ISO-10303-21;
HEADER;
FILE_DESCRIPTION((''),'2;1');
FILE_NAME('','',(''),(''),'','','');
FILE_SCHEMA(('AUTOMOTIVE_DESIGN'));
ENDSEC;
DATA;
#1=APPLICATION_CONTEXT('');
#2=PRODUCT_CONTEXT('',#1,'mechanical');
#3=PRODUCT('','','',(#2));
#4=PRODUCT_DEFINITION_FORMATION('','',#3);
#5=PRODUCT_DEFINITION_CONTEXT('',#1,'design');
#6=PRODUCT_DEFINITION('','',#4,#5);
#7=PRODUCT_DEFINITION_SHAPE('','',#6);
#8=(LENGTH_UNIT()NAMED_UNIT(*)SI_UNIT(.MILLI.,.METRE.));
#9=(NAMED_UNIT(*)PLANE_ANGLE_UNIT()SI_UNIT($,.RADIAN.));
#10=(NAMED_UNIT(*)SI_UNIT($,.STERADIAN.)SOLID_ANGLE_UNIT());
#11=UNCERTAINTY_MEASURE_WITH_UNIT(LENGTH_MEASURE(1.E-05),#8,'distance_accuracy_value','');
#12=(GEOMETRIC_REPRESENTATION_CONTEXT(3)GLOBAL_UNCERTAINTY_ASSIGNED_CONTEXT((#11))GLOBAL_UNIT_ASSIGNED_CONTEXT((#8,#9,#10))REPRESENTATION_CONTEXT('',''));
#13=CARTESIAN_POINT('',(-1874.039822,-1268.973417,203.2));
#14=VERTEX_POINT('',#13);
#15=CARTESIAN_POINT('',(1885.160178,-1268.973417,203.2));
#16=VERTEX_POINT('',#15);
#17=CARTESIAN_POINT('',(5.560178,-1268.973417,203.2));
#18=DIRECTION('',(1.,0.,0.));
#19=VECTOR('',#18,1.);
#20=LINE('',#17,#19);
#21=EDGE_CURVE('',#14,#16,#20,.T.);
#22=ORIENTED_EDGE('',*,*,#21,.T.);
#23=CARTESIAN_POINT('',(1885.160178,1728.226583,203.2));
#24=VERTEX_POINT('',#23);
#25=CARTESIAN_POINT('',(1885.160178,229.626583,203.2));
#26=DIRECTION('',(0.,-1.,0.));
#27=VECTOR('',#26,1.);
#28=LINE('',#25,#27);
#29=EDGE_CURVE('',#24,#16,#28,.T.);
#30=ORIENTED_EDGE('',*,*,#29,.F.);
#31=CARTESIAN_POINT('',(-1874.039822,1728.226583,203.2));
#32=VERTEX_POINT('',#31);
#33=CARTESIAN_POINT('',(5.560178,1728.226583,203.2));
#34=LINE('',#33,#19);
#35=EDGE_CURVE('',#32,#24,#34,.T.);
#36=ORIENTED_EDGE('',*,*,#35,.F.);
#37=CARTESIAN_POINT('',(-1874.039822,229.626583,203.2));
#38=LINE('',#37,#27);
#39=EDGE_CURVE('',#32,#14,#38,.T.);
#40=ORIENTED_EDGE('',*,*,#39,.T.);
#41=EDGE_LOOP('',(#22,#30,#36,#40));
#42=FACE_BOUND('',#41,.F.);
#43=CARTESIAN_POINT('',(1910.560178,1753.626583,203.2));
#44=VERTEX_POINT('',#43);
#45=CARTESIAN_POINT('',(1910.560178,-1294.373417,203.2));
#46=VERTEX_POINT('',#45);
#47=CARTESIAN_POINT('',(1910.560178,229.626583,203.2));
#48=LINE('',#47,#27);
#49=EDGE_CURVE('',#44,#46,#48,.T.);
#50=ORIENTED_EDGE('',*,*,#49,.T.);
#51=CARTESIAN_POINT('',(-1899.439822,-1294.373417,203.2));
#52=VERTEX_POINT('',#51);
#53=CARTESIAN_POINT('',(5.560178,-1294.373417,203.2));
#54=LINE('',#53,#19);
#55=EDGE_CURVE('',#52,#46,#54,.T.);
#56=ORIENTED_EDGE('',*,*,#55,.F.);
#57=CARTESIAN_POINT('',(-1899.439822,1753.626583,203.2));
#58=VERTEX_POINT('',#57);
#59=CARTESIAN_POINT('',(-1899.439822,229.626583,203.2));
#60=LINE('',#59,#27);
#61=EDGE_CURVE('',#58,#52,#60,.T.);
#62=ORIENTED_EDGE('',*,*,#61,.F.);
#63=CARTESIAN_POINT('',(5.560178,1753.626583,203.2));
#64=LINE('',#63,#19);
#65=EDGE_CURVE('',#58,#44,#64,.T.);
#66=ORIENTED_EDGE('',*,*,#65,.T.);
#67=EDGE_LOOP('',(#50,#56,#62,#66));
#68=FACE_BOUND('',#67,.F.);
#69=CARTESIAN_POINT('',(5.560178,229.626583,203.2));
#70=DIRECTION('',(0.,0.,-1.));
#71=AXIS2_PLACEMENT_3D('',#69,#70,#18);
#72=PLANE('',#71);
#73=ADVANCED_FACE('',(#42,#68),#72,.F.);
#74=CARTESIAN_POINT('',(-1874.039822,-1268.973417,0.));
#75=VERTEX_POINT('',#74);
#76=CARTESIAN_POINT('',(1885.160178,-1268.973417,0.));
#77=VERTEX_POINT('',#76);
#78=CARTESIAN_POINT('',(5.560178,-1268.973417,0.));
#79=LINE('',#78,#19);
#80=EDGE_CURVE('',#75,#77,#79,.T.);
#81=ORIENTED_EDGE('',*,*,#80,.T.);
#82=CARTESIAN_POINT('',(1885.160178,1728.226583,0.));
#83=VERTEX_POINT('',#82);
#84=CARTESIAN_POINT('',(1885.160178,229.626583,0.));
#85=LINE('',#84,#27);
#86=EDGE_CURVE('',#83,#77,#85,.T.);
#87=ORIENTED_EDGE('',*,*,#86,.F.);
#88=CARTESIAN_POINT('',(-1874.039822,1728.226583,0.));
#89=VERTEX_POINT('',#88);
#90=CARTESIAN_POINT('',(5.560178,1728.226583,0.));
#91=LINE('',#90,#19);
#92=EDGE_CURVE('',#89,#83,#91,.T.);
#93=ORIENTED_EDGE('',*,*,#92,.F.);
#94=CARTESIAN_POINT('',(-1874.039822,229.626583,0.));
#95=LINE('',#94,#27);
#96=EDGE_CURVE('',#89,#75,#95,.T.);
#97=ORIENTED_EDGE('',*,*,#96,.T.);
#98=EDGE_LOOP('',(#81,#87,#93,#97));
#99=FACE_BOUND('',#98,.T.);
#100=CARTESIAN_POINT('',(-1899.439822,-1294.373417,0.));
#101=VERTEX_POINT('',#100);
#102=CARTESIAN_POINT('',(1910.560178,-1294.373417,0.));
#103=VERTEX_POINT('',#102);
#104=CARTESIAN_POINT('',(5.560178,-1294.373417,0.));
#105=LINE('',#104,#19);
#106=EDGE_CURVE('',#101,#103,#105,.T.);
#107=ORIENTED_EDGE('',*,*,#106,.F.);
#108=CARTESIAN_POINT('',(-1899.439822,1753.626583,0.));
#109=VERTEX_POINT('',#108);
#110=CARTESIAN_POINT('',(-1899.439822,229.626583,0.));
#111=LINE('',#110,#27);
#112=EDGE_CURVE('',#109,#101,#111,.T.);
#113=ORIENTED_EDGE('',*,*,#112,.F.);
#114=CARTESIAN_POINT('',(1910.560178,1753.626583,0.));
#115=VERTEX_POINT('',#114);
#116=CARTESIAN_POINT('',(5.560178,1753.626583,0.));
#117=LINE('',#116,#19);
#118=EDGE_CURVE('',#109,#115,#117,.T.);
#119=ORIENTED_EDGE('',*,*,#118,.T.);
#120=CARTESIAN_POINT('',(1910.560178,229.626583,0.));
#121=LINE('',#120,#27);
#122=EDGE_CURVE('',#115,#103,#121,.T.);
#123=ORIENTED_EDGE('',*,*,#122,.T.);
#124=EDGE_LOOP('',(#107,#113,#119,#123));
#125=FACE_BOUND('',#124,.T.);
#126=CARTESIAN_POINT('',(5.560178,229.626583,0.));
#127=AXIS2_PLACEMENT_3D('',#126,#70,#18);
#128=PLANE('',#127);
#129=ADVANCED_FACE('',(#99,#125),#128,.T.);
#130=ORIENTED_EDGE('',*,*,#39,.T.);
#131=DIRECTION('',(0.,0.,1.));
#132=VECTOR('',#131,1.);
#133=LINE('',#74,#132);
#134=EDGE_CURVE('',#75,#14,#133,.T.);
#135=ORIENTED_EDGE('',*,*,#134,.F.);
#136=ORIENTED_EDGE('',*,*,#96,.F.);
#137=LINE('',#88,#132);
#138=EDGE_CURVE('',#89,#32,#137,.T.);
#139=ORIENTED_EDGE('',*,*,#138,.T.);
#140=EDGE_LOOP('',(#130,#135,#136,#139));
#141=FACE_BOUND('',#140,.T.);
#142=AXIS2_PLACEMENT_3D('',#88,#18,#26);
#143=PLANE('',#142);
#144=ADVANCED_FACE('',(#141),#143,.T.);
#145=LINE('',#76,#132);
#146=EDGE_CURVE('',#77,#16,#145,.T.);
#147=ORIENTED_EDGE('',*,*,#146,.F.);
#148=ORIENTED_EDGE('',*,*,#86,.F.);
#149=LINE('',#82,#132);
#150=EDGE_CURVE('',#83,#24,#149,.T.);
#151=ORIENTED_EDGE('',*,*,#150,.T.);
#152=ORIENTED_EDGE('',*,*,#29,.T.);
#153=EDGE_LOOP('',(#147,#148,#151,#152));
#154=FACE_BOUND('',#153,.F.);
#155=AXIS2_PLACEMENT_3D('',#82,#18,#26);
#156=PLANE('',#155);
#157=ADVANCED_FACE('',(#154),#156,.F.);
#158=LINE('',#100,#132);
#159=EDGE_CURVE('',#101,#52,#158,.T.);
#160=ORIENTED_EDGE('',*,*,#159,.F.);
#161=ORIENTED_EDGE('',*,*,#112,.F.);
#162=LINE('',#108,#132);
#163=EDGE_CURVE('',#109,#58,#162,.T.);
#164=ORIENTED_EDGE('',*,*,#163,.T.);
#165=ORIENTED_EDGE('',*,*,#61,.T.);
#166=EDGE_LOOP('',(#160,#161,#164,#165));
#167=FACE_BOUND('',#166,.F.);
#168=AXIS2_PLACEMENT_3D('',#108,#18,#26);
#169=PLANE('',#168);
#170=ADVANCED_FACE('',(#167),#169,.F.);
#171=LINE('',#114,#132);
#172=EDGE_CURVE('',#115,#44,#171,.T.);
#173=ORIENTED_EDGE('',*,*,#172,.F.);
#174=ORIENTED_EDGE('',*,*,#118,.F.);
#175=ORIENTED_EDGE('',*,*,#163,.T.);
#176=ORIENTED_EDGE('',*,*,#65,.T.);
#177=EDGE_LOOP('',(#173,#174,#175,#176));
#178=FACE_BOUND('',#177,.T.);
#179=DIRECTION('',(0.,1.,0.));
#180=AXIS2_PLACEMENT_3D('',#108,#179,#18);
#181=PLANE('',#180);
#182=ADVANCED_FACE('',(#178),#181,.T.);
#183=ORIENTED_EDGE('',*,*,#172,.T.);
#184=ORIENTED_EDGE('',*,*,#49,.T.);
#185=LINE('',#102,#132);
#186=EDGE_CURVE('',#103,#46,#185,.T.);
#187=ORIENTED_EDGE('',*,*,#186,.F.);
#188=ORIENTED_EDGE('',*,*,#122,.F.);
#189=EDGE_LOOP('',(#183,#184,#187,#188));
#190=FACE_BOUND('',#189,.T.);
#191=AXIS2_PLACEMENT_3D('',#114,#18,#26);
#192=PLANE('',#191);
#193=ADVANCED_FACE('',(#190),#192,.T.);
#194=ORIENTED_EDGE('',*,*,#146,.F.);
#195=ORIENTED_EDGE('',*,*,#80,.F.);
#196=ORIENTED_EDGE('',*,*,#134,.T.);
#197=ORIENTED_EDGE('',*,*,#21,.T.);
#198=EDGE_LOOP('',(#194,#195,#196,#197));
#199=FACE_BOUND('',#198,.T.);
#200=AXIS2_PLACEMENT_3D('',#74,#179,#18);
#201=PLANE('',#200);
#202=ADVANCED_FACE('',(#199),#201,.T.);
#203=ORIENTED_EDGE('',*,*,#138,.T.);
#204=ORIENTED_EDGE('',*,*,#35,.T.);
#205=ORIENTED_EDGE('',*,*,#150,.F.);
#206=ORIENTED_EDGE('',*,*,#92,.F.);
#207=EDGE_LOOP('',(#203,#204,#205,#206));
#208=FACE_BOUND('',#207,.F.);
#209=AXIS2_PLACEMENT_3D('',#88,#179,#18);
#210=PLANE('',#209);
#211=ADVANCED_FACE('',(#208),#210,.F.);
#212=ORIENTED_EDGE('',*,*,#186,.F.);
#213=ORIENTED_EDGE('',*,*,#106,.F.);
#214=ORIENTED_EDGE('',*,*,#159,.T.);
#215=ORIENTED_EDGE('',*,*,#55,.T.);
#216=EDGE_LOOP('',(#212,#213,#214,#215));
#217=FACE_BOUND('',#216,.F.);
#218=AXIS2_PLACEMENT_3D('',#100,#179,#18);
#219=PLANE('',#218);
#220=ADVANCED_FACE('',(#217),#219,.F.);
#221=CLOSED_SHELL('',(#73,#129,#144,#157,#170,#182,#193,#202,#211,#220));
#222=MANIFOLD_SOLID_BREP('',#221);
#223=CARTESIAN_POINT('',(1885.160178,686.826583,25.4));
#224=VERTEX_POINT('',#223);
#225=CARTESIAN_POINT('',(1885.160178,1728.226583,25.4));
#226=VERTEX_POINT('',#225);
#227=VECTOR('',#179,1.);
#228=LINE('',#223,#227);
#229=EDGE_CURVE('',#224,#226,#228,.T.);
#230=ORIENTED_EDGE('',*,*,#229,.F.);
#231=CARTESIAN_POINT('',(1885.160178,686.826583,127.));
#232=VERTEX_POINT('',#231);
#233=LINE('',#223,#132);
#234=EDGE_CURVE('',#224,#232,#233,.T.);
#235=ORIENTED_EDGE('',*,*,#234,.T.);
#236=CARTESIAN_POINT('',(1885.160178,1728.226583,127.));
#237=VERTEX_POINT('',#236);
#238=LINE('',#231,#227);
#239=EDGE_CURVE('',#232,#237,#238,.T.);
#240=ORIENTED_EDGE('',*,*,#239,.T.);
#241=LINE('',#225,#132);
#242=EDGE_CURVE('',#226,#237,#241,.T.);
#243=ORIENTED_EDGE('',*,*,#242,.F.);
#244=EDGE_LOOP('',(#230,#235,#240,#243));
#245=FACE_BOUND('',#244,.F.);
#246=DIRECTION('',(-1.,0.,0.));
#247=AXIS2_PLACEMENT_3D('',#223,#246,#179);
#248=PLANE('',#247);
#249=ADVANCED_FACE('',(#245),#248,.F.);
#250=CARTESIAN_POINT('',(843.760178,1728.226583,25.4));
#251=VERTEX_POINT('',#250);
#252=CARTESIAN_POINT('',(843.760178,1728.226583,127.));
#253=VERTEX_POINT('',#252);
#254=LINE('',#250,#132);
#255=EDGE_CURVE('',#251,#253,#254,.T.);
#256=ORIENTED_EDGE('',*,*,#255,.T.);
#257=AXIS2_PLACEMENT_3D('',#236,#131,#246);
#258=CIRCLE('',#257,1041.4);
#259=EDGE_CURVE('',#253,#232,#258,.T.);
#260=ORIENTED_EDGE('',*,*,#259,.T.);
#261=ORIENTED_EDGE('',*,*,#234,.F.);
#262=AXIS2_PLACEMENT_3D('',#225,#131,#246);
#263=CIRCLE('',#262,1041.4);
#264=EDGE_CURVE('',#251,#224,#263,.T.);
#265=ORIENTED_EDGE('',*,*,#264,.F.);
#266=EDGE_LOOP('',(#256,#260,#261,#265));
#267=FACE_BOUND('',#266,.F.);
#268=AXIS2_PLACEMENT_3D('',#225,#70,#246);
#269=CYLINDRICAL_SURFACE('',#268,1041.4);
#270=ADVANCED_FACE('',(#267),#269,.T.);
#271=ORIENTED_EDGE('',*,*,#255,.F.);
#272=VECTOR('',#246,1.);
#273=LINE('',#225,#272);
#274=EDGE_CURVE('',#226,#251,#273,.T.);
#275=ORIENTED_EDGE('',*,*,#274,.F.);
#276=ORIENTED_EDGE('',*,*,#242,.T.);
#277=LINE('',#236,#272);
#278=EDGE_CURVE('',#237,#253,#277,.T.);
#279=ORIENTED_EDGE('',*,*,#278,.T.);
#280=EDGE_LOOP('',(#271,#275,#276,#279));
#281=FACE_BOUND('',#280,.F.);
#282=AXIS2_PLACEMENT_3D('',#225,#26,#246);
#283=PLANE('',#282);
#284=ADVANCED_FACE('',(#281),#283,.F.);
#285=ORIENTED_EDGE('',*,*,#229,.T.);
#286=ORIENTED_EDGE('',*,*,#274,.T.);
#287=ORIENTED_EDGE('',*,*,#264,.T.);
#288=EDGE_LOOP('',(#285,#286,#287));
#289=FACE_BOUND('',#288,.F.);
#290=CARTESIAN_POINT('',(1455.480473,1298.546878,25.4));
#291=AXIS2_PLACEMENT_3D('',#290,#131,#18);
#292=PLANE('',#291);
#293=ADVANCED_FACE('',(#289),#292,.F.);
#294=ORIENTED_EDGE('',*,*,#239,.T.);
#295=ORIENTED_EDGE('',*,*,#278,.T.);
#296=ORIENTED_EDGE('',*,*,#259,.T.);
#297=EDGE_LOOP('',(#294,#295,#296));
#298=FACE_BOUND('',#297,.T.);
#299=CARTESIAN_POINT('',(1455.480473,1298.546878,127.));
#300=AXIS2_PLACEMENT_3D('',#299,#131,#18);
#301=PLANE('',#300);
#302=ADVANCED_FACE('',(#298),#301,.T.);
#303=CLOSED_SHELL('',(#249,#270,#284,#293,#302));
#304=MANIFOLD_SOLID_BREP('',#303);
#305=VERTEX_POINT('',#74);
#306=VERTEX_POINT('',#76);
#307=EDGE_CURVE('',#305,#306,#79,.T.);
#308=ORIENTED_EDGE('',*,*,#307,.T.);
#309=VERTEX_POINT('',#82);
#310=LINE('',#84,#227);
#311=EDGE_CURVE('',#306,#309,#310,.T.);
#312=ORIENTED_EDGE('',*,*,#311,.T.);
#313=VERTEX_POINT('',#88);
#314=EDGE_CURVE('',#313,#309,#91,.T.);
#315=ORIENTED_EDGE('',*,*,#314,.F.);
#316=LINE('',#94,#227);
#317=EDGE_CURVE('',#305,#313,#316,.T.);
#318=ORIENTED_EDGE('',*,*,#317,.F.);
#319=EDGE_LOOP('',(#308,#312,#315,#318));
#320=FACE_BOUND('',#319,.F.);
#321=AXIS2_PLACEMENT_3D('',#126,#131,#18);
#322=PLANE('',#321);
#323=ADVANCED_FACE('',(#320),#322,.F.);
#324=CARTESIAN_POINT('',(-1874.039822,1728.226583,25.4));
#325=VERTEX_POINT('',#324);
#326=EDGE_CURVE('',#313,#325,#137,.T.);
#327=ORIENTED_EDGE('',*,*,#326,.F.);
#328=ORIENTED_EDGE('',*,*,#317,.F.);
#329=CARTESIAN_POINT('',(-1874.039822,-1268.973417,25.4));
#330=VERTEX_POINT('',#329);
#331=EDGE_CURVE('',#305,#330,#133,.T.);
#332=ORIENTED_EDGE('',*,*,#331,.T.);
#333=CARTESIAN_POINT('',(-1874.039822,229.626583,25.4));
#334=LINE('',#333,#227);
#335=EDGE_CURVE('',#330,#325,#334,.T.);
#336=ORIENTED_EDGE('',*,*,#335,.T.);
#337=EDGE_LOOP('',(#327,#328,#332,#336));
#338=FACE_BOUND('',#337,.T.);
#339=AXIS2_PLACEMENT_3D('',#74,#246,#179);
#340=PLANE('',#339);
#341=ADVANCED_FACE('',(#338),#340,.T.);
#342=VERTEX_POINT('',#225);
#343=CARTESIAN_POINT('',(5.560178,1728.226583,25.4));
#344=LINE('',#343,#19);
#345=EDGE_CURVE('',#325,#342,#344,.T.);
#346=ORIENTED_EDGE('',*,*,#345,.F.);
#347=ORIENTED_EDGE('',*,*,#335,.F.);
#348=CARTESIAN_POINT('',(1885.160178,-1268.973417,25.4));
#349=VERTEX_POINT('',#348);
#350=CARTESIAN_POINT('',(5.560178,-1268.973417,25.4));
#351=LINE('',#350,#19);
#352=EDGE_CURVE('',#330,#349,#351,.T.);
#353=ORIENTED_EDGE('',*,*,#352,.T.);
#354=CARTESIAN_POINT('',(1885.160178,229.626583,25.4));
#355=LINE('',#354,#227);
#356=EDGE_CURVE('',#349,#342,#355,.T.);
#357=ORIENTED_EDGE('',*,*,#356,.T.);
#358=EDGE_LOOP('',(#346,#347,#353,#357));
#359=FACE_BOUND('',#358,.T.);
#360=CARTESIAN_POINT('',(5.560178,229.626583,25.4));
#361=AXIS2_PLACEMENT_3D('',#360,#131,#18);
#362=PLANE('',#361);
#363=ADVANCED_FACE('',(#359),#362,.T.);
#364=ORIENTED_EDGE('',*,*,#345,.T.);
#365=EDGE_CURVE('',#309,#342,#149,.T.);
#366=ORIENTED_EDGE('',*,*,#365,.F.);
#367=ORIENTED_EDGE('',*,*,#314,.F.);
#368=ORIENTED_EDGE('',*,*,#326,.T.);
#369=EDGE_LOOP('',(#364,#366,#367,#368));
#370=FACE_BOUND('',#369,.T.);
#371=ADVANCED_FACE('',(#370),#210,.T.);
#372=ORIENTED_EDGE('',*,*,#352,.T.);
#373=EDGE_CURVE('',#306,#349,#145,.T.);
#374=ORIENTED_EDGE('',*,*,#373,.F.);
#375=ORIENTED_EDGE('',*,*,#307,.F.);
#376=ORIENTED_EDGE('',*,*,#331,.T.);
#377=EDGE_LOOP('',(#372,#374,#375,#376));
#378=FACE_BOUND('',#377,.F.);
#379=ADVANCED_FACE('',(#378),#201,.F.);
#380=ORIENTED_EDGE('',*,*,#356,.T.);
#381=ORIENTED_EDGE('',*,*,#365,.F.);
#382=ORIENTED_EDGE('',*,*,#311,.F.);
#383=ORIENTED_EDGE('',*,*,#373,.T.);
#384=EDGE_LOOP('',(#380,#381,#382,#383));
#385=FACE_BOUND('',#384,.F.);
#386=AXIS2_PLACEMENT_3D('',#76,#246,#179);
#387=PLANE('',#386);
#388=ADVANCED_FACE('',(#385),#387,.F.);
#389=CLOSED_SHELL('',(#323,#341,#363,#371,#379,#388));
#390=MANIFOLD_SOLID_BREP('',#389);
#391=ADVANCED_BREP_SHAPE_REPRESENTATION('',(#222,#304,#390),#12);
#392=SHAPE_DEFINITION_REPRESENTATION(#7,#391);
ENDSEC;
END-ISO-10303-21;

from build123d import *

# Parameters (mm, degrees)
F0_W     = 3759.2
F0_H     = 2997.2
F1_DEPTH = 25.4
F2_W     = 3810
F2_H     = 3048
F2_W_2   = 3759.2
F2_H_2   = 2997.2
F3_DEPTH = 203.2
F5_DEPTH = 101.6


with BuildPart() as f1:
    # F0 (on Top) → F1 (new body)
    with BuildSketch(Plane.XY):
        with Locations((5.5601783097, 229.6265830756)):
            Rectangle(F0_W, F0_H)
    extrude(amount=F1_DEPTH)


with BuildPart() as f3:
    # F2 (on face) → F3 (new body)
    with BuildSketch(Plane(origin=(0, 0, 0), x_dir=(1, 0, 0), z_dir=(0, 0, -1))):
        with Locations((5.5601783097, -229.6265830756)):
            Rectangle(F2_W, F2_H)
        with Locations((5.5601783097, -229.6265830756)):
            Rectangle(F2_W_2, F2_H_2, mode=Mode.SUBTRACT)
    extrude(amount=-F3_DEPTH)


with BuildPart() as f5:
    # F4 (on face) → F5 (new body)
    with BuildSketch(Plane.XY.offset(25.4)):
        with BuildLine():
            Line((1885.1601783097, 1728.2265830756), (843.7601783097, 1728.2265830756))
            ThreePointArc((843.7601783097, 1728.2265830756), (1148.779176382, 991.8455811479), (1885.1601783097, 686.8265830756))
            Line((1885.1601783097, 686.8265830756), (1885.1601783097, 1728.2265830756))
        make_face()
    extrude(amount=F5_DEPTH)


solid = Compound([f1.part, f3.part, f5.part])
